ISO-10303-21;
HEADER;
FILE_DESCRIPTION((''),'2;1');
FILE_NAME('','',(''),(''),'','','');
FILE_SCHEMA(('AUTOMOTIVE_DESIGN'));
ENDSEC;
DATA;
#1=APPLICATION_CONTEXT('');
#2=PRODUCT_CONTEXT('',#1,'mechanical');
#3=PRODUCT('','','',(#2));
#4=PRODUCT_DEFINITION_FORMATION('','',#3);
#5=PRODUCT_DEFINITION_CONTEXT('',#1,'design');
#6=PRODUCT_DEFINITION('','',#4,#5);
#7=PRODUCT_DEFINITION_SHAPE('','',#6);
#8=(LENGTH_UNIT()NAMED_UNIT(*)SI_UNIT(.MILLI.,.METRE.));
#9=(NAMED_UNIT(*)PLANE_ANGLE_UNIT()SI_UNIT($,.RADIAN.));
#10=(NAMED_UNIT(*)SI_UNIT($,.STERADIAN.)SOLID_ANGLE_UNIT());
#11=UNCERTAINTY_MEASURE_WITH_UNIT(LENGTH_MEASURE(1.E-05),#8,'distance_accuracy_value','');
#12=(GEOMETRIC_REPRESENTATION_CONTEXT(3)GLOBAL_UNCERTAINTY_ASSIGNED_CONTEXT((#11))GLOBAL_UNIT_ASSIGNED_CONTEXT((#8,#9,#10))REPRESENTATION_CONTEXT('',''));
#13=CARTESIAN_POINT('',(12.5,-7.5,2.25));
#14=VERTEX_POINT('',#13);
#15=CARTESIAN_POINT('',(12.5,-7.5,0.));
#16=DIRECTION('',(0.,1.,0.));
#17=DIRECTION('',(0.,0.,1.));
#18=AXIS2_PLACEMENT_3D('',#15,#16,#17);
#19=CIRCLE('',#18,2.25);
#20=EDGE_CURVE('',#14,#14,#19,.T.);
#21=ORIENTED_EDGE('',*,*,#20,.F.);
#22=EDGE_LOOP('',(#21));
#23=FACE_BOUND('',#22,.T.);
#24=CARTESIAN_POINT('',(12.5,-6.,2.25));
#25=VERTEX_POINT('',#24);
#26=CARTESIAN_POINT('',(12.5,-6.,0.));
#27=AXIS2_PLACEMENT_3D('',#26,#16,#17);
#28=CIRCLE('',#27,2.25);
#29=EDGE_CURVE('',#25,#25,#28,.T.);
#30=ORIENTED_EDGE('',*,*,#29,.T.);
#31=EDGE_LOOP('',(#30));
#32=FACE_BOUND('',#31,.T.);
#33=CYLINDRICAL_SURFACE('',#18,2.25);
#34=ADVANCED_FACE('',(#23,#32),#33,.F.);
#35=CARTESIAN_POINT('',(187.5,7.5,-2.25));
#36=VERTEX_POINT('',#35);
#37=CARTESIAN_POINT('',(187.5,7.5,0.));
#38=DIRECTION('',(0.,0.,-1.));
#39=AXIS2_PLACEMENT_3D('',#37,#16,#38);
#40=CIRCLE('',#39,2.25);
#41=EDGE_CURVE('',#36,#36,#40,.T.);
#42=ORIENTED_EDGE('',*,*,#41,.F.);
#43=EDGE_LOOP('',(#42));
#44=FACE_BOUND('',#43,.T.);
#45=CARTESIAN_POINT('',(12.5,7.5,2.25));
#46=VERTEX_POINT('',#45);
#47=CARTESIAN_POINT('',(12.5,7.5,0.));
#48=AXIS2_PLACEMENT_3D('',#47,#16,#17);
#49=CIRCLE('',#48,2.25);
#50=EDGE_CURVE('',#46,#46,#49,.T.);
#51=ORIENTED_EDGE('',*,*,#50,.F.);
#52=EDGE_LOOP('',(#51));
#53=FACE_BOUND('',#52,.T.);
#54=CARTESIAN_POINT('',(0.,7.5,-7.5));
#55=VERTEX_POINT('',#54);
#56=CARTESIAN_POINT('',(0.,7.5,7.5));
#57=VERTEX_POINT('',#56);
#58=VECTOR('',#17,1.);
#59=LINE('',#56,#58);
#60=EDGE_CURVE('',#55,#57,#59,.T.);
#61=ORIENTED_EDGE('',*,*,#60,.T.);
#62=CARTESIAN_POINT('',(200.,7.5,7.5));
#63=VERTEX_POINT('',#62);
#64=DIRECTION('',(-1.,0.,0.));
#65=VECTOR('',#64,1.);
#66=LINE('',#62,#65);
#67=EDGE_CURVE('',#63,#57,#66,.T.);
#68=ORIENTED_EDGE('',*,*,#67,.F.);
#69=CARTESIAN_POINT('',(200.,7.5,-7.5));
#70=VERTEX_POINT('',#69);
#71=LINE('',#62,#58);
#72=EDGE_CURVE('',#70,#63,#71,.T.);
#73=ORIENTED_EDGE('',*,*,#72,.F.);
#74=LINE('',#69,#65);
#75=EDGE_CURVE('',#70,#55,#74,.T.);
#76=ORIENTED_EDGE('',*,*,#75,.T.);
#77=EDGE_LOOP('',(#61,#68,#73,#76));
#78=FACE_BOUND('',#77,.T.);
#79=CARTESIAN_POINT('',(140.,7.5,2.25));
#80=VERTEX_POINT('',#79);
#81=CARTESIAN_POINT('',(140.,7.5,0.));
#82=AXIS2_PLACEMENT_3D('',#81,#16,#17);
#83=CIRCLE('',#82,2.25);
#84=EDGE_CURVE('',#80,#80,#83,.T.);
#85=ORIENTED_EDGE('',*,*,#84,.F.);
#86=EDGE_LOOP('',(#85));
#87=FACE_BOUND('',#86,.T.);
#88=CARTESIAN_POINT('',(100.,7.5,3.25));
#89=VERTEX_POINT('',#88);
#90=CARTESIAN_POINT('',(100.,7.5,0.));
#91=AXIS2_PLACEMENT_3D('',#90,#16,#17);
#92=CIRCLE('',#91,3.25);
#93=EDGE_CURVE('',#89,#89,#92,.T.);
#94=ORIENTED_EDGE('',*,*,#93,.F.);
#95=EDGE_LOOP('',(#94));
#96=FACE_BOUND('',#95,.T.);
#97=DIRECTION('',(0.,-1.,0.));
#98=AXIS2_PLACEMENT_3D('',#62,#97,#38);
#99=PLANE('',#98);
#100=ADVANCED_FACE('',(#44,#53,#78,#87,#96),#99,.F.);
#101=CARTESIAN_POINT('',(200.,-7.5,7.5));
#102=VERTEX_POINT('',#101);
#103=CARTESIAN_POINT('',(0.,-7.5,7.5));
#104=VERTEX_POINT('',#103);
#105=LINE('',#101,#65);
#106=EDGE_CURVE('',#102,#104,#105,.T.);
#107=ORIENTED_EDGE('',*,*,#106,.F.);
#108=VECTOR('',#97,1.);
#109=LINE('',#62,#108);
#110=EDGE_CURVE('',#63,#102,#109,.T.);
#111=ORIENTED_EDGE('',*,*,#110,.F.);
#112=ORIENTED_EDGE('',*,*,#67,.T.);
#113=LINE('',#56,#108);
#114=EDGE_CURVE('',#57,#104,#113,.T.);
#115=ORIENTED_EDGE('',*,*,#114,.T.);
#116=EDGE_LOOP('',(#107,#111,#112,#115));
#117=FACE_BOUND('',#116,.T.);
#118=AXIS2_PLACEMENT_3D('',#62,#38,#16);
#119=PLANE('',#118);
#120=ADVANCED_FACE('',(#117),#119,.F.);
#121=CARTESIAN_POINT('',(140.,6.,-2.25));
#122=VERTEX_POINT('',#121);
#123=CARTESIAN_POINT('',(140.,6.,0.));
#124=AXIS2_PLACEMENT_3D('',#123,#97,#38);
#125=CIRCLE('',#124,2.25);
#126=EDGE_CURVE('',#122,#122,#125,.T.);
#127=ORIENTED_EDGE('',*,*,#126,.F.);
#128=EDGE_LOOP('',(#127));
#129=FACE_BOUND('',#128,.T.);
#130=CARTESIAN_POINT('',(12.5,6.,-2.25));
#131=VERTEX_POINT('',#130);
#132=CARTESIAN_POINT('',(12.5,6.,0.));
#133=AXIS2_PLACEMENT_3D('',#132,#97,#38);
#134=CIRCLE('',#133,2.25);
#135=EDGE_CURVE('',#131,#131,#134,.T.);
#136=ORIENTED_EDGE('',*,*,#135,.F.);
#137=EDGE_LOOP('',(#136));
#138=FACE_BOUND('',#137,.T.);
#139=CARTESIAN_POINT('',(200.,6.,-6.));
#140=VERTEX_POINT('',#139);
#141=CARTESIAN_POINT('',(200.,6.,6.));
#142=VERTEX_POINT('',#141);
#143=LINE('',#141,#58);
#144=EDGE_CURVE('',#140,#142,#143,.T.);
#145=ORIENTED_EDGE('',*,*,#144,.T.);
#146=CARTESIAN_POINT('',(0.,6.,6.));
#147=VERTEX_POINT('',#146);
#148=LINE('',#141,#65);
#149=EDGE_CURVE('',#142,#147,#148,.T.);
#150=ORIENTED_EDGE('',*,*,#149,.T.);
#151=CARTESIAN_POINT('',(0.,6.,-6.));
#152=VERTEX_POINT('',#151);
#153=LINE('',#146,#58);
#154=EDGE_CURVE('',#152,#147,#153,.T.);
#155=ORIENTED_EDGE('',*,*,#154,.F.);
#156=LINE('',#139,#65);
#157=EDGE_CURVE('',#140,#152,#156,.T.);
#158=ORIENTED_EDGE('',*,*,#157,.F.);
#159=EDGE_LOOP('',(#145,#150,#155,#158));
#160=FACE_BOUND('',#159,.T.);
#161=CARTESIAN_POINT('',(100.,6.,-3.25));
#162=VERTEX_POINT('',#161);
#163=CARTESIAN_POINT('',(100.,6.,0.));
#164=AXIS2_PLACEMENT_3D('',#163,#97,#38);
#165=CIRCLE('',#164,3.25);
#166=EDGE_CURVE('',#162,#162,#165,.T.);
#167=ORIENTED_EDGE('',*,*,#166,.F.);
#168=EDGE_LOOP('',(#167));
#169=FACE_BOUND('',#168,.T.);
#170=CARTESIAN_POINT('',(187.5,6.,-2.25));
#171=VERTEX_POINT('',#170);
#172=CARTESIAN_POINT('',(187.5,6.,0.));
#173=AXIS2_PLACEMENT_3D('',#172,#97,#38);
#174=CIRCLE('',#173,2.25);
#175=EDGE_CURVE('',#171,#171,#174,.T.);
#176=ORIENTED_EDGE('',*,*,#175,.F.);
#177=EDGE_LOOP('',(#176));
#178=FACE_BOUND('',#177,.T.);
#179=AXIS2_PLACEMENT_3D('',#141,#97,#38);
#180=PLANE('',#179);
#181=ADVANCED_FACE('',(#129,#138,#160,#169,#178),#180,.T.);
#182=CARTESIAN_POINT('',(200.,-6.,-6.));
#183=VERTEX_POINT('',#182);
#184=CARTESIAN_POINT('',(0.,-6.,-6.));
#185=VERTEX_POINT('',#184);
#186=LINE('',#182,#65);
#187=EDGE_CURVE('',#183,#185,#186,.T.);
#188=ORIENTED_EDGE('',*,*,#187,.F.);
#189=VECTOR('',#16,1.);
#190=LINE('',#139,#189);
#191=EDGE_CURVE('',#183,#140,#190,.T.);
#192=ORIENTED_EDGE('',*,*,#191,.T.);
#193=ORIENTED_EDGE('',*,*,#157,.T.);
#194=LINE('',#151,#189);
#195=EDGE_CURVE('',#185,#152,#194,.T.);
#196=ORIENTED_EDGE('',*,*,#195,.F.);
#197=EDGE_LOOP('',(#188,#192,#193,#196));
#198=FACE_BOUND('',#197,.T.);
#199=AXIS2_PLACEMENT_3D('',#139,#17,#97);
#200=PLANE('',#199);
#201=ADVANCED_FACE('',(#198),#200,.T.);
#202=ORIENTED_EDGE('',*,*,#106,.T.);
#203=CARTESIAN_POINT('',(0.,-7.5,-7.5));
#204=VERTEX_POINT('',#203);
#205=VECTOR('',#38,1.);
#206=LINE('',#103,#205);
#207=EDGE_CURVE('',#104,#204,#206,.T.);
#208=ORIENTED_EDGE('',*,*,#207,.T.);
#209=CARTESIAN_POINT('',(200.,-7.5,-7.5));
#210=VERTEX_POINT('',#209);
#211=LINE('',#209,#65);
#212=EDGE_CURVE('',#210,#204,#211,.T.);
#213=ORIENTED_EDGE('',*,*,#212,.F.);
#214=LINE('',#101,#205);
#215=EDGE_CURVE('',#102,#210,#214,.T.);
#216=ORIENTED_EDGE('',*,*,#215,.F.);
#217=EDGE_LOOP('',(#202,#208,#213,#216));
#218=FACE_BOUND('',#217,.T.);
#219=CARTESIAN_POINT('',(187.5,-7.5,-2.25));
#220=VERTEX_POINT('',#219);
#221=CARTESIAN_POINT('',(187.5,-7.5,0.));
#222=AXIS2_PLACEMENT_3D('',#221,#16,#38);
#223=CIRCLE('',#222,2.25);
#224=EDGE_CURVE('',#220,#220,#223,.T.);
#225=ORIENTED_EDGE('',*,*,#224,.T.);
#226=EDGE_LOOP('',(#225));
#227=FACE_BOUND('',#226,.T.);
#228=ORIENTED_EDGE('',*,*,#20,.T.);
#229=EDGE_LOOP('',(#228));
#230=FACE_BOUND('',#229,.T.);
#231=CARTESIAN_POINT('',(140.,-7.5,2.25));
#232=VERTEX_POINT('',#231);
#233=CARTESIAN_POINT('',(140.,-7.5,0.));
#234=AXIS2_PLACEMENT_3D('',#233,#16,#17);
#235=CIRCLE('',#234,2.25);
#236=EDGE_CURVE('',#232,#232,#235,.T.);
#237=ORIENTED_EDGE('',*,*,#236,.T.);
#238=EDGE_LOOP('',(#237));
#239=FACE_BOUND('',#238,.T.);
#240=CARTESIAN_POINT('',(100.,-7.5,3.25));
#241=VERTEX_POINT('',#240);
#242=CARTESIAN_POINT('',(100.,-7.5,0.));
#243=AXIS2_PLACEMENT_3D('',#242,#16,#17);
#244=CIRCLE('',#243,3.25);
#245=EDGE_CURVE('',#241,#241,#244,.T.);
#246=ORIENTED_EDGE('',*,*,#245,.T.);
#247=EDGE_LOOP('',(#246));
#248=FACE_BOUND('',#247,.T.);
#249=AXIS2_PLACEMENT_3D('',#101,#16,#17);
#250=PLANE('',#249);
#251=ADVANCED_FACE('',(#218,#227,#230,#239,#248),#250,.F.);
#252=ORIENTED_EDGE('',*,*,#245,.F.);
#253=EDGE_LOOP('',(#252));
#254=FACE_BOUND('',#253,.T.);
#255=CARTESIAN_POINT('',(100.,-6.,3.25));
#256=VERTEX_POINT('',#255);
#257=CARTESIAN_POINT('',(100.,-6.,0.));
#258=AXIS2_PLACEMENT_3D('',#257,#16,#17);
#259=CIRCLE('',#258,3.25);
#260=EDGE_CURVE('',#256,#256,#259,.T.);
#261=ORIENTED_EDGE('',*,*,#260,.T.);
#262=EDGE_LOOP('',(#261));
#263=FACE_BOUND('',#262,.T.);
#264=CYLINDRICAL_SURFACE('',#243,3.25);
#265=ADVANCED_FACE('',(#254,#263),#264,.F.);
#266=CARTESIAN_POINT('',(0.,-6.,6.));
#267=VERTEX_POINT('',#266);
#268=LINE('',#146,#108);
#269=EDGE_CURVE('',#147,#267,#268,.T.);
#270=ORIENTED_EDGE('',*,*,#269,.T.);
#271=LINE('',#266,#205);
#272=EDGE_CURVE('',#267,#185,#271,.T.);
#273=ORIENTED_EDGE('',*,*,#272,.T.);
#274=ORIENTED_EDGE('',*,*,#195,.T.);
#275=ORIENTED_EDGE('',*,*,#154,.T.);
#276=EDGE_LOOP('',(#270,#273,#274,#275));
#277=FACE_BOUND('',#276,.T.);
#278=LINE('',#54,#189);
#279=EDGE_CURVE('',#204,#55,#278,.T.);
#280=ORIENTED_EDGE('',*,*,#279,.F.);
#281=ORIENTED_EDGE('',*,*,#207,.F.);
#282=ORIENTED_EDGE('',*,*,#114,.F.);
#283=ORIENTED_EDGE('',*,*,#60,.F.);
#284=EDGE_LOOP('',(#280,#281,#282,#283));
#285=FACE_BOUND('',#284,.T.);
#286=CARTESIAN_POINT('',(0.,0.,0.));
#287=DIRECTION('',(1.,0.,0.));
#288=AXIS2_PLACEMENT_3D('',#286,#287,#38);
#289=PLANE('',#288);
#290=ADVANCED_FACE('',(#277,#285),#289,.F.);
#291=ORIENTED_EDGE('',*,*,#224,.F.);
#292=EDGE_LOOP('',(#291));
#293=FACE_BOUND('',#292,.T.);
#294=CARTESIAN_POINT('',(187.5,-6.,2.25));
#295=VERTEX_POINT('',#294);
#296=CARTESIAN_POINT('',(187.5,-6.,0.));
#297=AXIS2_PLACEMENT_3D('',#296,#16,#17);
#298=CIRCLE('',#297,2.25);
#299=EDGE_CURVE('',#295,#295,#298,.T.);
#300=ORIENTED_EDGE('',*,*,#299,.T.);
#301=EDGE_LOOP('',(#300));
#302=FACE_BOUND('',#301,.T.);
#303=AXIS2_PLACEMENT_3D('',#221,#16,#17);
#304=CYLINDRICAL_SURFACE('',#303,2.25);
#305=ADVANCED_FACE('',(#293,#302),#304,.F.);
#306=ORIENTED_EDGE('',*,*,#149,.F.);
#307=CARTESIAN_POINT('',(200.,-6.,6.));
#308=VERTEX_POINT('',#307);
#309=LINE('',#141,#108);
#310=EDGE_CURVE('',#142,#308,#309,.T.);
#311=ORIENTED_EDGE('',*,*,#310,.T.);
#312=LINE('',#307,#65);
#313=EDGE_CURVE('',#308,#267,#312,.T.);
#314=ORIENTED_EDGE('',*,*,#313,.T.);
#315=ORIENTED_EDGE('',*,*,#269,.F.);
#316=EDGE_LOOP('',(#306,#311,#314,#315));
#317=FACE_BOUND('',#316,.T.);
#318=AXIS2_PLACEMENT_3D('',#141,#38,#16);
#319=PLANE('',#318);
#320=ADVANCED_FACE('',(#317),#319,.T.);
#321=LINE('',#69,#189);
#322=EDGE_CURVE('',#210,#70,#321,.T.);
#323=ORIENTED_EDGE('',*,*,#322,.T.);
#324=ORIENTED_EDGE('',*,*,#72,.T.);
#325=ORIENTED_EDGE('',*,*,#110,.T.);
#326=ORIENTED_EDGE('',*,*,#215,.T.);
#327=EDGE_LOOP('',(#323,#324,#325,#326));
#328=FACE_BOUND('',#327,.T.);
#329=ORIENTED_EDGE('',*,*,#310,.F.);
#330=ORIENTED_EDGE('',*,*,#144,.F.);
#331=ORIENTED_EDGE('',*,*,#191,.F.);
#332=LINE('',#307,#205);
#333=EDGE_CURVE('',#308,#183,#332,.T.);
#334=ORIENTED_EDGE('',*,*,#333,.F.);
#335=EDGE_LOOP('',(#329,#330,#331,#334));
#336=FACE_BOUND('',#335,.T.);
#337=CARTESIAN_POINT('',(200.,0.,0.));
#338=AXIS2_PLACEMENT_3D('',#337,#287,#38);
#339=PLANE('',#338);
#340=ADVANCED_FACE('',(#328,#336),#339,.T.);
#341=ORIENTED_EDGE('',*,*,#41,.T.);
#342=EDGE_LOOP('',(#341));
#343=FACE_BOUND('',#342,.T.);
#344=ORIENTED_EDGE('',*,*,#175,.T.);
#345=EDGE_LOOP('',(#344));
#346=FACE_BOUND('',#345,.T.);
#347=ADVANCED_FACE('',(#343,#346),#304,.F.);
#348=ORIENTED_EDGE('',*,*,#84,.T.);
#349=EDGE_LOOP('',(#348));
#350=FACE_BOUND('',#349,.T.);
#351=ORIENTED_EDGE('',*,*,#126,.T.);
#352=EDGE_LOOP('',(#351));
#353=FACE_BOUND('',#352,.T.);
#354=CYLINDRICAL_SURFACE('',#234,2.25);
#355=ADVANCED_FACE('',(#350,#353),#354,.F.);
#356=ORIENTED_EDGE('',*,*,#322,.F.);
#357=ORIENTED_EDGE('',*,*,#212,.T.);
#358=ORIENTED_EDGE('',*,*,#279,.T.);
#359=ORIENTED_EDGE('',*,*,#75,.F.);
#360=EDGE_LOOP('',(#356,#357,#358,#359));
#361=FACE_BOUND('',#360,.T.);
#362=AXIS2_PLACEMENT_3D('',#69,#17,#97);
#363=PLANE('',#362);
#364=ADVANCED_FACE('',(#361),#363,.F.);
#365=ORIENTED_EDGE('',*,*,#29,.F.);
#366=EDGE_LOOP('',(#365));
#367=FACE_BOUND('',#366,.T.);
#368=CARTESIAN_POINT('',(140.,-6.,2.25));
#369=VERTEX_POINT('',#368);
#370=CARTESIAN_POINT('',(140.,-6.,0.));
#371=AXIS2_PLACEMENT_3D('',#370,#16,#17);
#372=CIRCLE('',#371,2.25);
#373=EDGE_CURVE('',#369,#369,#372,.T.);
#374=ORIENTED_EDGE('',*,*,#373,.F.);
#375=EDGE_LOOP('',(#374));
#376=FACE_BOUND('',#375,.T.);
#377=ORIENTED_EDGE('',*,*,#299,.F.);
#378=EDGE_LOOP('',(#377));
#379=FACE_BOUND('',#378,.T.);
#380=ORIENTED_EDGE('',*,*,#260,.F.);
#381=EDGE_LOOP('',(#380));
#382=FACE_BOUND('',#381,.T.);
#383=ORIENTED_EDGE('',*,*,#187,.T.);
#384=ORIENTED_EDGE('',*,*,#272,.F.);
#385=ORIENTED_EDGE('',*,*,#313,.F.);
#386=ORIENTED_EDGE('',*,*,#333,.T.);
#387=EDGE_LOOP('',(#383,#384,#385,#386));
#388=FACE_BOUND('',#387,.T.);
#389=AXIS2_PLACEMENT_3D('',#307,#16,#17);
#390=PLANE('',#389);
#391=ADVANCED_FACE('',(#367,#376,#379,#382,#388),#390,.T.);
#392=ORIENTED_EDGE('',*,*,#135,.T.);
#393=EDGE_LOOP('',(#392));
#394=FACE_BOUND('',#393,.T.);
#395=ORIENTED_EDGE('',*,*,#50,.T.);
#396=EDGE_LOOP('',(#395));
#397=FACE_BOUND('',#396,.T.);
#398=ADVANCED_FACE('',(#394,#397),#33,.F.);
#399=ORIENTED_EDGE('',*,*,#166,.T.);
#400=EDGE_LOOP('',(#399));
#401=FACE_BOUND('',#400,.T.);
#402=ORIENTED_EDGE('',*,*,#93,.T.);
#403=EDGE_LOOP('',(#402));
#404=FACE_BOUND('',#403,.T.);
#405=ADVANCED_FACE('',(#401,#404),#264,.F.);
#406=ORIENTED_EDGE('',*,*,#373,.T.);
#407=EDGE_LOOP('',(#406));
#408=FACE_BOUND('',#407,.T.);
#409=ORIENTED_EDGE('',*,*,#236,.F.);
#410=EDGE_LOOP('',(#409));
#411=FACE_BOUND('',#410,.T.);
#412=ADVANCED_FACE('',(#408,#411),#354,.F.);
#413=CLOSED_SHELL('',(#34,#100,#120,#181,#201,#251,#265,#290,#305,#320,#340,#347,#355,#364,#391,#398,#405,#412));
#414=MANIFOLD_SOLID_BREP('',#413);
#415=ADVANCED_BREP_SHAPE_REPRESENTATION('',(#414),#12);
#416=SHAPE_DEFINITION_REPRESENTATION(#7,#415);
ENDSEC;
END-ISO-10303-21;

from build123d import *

# Parameters (mm, degrees)
SKETCH1_W           = 15
SKETCH1_H           = 15
SKETCH1_W_2         = 12
SKETCH1_H_2         = 12
BOSS_EXTRUDE1_DEPTH = 200
SKETCH2_R           = 3.25
SKETCH2_R_2         = 2.25
CUT_EXTRUDE1_DEPTH  = 16
SKETCH3_R           = 2.25
CUT_EXTRUDE2_DEPTH  = 16


with BuildPart() as part:
    # Sketch1 → Boss-Extrude1 (new body)
    with BuildSketch(Plane(origin=(0, 0, 0), x_dir=(0, 0, -1), z_dir=(1, 0, 0))):
        Rectangle(SKETCH1_W, SKETCH1_H)
        Rectangle(SKETCH1_W_2, SKETCH1_H_2, mode=Mode.SUBTRACT)
    extrude(amount=BOSS_EXTRUDE1_DEPTH)

    # Sketch2 → Cut-Extrude1 (cut, through all)
    with BuildSketch(Plane(origin=(0, 7.5, 0), x_dir=(1, 0, 0), z_dir=(0, 1, 0))):
        with Locations((100, 0)):
            Circle(SKETCH2_R)
        with Locations((140, 0)):
            Circle(SKETCH2_R_2)
    extrude(amount=-CUT_EXTRUDE1_DEPTH, mode=Mode.SUBTRACT)

    # Sketch3 → Cut-Extrude2 (cut, through all)
    with BuildSketch(Plane(origin=(0, 7.5, 0), x_dir=(1, 0, 0), z_dir=(0, 1, 0))):
        with Locations((12.5, 0)):
            Circle(SKETCH3_R)
        with Locations((187.5, 0)):
            Circle(SKETCH3_R)
    extrude(amount=-CUT_EXTRUDE2_DEPTH, mode=Mode.SUBTRACT)


solid = part.part
